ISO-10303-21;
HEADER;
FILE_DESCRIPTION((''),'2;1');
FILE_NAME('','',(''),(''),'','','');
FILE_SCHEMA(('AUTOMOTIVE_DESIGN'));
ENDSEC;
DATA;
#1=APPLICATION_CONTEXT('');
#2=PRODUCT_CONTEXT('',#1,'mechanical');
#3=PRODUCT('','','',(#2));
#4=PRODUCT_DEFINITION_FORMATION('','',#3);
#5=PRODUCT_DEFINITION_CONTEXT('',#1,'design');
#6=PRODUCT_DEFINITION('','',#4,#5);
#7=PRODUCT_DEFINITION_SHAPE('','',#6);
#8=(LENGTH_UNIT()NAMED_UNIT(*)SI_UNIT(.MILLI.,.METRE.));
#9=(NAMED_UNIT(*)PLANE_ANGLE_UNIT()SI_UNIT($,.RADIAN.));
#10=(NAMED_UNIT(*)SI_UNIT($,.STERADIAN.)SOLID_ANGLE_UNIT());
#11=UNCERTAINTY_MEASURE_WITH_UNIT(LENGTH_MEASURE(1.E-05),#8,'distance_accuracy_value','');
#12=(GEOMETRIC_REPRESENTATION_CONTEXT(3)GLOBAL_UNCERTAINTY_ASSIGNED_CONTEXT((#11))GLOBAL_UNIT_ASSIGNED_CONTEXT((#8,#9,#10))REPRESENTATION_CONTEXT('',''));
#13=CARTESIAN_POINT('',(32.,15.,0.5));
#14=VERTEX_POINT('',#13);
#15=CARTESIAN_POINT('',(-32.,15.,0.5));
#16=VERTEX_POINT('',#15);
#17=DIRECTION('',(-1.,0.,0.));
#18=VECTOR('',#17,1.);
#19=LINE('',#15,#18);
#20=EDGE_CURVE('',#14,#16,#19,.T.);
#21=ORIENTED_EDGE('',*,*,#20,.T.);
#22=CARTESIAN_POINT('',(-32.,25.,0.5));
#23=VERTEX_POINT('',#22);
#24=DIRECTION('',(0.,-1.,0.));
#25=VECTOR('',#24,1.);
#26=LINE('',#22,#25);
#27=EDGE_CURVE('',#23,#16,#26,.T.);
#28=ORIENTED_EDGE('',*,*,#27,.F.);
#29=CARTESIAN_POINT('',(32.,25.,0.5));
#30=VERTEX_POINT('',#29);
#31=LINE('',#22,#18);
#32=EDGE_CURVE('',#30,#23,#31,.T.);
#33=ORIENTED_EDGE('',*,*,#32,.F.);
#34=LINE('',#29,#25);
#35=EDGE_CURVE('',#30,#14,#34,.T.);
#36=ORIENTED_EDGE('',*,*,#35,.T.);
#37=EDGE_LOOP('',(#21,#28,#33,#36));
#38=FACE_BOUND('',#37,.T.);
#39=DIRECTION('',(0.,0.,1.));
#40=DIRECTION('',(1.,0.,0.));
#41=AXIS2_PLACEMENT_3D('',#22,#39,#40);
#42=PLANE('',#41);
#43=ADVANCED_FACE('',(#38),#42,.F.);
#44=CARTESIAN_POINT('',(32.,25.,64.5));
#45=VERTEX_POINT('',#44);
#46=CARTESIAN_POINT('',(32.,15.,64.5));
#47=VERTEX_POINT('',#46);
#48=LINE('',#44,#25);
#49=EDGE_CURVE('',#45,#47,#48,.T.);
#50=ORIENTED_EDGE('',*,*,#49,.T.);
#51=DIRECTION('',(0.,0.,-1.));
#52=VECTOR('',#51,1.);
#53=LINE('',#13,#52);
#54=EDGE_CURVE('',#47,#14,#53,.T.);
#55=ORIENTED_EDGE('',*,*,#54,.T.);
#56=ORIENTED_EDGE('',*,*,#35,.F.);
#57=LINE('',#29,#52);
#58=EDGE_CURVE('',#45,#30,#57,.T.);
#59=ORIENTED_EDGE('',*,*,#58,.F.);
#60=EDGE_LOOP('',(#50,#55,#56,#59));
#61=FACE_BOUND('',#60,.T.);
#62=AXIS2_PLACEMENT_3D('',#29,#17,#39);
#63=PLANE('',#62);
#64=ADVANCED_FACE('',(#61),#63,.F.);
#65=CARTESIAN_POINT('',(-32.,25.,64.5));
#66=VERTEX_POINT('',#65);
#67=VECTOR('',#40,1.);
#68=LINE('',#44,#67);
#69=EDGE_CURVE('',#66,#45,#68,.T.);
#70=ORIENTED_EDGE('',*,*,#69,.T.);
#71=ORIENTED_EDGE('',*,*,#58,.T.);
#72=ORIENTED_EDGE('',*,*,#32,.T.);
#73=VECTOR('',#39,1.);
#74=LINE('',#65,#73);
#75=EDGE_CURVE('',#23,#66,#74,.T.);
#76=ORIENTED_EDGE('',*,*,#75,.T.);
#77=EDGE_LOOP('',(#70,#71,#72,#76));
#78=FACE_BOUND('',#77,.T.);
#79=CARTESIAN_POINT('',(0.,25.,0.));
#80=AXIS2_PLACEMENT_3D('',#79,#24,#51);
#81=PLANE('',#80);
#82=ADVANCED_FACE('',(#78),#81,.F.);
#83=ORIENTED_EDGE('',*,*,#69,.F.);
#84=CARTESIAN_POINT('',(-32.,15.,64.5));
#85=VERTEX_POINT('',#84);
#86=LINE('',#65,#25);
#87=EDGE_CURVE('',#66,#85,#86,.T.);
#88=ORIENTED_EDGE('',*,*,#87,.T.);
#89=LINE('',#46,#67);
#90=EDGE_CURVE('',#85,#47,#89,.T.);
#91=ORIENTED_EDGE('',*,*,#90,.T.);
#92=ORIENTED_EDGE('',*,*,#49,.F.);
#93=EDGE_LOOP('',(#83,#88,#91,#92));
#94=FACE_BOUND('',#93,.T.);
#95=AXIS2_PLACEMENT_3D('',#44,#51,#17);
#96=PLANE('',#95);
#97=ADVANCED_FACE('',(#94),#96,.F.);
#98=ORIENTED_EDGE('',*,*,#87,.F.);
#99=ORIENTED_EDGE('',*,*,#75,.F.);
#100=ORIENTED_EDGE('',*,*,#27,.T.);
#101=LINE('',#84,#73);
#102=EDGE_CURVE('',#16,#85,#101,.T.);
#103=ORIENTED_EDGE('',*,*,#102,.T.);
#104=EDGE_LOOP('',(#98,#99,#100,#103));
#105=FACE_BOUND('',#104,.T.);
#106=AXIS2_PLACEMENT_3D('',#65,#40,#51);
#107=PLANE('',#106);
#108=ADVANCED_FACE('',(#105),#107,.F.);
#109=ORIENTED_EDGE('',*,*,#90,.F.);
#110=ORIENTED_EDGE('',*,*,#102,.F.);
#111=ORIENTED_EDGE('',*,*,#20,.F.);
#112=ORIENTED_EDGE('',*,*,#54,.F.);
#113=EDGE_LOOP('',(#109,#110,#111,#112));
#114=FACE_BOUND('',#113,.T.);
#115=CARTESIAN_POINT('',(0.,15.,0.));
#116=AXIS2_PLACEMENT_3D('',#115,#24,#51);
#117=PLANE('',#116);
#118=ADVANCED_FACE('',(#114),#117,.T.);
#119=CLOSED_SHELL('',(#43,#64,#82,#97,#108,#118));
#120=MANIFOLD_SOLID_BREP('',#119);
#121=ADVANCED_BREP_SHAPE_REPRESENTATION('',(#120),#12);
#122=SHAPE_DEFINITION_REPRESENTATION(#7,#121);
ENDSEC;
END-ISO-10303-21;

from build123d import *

# Parameters (mm, degrees)
ESBO_O1_W                = 64
ESBO_O1_H                = 64
RESSALTO_EXTRUS_O1_DEPTH = 10


with BuildPart() as part:
    # Esboço1 → Ressalto-extrusão1 (new body)
    with BuildSketch(Plane(origin=(0, 15, 0), x_dir=(1, 0, 0), z_dir=(0, 1, 0))):
        with Locations((0, -32.5)):
            Rectangle(ESBO_O1_W, ESBO_O1_H)
    extrude(amount=RESSALTO_EXTRUS_O1_DEPTH)


solid = part.part
